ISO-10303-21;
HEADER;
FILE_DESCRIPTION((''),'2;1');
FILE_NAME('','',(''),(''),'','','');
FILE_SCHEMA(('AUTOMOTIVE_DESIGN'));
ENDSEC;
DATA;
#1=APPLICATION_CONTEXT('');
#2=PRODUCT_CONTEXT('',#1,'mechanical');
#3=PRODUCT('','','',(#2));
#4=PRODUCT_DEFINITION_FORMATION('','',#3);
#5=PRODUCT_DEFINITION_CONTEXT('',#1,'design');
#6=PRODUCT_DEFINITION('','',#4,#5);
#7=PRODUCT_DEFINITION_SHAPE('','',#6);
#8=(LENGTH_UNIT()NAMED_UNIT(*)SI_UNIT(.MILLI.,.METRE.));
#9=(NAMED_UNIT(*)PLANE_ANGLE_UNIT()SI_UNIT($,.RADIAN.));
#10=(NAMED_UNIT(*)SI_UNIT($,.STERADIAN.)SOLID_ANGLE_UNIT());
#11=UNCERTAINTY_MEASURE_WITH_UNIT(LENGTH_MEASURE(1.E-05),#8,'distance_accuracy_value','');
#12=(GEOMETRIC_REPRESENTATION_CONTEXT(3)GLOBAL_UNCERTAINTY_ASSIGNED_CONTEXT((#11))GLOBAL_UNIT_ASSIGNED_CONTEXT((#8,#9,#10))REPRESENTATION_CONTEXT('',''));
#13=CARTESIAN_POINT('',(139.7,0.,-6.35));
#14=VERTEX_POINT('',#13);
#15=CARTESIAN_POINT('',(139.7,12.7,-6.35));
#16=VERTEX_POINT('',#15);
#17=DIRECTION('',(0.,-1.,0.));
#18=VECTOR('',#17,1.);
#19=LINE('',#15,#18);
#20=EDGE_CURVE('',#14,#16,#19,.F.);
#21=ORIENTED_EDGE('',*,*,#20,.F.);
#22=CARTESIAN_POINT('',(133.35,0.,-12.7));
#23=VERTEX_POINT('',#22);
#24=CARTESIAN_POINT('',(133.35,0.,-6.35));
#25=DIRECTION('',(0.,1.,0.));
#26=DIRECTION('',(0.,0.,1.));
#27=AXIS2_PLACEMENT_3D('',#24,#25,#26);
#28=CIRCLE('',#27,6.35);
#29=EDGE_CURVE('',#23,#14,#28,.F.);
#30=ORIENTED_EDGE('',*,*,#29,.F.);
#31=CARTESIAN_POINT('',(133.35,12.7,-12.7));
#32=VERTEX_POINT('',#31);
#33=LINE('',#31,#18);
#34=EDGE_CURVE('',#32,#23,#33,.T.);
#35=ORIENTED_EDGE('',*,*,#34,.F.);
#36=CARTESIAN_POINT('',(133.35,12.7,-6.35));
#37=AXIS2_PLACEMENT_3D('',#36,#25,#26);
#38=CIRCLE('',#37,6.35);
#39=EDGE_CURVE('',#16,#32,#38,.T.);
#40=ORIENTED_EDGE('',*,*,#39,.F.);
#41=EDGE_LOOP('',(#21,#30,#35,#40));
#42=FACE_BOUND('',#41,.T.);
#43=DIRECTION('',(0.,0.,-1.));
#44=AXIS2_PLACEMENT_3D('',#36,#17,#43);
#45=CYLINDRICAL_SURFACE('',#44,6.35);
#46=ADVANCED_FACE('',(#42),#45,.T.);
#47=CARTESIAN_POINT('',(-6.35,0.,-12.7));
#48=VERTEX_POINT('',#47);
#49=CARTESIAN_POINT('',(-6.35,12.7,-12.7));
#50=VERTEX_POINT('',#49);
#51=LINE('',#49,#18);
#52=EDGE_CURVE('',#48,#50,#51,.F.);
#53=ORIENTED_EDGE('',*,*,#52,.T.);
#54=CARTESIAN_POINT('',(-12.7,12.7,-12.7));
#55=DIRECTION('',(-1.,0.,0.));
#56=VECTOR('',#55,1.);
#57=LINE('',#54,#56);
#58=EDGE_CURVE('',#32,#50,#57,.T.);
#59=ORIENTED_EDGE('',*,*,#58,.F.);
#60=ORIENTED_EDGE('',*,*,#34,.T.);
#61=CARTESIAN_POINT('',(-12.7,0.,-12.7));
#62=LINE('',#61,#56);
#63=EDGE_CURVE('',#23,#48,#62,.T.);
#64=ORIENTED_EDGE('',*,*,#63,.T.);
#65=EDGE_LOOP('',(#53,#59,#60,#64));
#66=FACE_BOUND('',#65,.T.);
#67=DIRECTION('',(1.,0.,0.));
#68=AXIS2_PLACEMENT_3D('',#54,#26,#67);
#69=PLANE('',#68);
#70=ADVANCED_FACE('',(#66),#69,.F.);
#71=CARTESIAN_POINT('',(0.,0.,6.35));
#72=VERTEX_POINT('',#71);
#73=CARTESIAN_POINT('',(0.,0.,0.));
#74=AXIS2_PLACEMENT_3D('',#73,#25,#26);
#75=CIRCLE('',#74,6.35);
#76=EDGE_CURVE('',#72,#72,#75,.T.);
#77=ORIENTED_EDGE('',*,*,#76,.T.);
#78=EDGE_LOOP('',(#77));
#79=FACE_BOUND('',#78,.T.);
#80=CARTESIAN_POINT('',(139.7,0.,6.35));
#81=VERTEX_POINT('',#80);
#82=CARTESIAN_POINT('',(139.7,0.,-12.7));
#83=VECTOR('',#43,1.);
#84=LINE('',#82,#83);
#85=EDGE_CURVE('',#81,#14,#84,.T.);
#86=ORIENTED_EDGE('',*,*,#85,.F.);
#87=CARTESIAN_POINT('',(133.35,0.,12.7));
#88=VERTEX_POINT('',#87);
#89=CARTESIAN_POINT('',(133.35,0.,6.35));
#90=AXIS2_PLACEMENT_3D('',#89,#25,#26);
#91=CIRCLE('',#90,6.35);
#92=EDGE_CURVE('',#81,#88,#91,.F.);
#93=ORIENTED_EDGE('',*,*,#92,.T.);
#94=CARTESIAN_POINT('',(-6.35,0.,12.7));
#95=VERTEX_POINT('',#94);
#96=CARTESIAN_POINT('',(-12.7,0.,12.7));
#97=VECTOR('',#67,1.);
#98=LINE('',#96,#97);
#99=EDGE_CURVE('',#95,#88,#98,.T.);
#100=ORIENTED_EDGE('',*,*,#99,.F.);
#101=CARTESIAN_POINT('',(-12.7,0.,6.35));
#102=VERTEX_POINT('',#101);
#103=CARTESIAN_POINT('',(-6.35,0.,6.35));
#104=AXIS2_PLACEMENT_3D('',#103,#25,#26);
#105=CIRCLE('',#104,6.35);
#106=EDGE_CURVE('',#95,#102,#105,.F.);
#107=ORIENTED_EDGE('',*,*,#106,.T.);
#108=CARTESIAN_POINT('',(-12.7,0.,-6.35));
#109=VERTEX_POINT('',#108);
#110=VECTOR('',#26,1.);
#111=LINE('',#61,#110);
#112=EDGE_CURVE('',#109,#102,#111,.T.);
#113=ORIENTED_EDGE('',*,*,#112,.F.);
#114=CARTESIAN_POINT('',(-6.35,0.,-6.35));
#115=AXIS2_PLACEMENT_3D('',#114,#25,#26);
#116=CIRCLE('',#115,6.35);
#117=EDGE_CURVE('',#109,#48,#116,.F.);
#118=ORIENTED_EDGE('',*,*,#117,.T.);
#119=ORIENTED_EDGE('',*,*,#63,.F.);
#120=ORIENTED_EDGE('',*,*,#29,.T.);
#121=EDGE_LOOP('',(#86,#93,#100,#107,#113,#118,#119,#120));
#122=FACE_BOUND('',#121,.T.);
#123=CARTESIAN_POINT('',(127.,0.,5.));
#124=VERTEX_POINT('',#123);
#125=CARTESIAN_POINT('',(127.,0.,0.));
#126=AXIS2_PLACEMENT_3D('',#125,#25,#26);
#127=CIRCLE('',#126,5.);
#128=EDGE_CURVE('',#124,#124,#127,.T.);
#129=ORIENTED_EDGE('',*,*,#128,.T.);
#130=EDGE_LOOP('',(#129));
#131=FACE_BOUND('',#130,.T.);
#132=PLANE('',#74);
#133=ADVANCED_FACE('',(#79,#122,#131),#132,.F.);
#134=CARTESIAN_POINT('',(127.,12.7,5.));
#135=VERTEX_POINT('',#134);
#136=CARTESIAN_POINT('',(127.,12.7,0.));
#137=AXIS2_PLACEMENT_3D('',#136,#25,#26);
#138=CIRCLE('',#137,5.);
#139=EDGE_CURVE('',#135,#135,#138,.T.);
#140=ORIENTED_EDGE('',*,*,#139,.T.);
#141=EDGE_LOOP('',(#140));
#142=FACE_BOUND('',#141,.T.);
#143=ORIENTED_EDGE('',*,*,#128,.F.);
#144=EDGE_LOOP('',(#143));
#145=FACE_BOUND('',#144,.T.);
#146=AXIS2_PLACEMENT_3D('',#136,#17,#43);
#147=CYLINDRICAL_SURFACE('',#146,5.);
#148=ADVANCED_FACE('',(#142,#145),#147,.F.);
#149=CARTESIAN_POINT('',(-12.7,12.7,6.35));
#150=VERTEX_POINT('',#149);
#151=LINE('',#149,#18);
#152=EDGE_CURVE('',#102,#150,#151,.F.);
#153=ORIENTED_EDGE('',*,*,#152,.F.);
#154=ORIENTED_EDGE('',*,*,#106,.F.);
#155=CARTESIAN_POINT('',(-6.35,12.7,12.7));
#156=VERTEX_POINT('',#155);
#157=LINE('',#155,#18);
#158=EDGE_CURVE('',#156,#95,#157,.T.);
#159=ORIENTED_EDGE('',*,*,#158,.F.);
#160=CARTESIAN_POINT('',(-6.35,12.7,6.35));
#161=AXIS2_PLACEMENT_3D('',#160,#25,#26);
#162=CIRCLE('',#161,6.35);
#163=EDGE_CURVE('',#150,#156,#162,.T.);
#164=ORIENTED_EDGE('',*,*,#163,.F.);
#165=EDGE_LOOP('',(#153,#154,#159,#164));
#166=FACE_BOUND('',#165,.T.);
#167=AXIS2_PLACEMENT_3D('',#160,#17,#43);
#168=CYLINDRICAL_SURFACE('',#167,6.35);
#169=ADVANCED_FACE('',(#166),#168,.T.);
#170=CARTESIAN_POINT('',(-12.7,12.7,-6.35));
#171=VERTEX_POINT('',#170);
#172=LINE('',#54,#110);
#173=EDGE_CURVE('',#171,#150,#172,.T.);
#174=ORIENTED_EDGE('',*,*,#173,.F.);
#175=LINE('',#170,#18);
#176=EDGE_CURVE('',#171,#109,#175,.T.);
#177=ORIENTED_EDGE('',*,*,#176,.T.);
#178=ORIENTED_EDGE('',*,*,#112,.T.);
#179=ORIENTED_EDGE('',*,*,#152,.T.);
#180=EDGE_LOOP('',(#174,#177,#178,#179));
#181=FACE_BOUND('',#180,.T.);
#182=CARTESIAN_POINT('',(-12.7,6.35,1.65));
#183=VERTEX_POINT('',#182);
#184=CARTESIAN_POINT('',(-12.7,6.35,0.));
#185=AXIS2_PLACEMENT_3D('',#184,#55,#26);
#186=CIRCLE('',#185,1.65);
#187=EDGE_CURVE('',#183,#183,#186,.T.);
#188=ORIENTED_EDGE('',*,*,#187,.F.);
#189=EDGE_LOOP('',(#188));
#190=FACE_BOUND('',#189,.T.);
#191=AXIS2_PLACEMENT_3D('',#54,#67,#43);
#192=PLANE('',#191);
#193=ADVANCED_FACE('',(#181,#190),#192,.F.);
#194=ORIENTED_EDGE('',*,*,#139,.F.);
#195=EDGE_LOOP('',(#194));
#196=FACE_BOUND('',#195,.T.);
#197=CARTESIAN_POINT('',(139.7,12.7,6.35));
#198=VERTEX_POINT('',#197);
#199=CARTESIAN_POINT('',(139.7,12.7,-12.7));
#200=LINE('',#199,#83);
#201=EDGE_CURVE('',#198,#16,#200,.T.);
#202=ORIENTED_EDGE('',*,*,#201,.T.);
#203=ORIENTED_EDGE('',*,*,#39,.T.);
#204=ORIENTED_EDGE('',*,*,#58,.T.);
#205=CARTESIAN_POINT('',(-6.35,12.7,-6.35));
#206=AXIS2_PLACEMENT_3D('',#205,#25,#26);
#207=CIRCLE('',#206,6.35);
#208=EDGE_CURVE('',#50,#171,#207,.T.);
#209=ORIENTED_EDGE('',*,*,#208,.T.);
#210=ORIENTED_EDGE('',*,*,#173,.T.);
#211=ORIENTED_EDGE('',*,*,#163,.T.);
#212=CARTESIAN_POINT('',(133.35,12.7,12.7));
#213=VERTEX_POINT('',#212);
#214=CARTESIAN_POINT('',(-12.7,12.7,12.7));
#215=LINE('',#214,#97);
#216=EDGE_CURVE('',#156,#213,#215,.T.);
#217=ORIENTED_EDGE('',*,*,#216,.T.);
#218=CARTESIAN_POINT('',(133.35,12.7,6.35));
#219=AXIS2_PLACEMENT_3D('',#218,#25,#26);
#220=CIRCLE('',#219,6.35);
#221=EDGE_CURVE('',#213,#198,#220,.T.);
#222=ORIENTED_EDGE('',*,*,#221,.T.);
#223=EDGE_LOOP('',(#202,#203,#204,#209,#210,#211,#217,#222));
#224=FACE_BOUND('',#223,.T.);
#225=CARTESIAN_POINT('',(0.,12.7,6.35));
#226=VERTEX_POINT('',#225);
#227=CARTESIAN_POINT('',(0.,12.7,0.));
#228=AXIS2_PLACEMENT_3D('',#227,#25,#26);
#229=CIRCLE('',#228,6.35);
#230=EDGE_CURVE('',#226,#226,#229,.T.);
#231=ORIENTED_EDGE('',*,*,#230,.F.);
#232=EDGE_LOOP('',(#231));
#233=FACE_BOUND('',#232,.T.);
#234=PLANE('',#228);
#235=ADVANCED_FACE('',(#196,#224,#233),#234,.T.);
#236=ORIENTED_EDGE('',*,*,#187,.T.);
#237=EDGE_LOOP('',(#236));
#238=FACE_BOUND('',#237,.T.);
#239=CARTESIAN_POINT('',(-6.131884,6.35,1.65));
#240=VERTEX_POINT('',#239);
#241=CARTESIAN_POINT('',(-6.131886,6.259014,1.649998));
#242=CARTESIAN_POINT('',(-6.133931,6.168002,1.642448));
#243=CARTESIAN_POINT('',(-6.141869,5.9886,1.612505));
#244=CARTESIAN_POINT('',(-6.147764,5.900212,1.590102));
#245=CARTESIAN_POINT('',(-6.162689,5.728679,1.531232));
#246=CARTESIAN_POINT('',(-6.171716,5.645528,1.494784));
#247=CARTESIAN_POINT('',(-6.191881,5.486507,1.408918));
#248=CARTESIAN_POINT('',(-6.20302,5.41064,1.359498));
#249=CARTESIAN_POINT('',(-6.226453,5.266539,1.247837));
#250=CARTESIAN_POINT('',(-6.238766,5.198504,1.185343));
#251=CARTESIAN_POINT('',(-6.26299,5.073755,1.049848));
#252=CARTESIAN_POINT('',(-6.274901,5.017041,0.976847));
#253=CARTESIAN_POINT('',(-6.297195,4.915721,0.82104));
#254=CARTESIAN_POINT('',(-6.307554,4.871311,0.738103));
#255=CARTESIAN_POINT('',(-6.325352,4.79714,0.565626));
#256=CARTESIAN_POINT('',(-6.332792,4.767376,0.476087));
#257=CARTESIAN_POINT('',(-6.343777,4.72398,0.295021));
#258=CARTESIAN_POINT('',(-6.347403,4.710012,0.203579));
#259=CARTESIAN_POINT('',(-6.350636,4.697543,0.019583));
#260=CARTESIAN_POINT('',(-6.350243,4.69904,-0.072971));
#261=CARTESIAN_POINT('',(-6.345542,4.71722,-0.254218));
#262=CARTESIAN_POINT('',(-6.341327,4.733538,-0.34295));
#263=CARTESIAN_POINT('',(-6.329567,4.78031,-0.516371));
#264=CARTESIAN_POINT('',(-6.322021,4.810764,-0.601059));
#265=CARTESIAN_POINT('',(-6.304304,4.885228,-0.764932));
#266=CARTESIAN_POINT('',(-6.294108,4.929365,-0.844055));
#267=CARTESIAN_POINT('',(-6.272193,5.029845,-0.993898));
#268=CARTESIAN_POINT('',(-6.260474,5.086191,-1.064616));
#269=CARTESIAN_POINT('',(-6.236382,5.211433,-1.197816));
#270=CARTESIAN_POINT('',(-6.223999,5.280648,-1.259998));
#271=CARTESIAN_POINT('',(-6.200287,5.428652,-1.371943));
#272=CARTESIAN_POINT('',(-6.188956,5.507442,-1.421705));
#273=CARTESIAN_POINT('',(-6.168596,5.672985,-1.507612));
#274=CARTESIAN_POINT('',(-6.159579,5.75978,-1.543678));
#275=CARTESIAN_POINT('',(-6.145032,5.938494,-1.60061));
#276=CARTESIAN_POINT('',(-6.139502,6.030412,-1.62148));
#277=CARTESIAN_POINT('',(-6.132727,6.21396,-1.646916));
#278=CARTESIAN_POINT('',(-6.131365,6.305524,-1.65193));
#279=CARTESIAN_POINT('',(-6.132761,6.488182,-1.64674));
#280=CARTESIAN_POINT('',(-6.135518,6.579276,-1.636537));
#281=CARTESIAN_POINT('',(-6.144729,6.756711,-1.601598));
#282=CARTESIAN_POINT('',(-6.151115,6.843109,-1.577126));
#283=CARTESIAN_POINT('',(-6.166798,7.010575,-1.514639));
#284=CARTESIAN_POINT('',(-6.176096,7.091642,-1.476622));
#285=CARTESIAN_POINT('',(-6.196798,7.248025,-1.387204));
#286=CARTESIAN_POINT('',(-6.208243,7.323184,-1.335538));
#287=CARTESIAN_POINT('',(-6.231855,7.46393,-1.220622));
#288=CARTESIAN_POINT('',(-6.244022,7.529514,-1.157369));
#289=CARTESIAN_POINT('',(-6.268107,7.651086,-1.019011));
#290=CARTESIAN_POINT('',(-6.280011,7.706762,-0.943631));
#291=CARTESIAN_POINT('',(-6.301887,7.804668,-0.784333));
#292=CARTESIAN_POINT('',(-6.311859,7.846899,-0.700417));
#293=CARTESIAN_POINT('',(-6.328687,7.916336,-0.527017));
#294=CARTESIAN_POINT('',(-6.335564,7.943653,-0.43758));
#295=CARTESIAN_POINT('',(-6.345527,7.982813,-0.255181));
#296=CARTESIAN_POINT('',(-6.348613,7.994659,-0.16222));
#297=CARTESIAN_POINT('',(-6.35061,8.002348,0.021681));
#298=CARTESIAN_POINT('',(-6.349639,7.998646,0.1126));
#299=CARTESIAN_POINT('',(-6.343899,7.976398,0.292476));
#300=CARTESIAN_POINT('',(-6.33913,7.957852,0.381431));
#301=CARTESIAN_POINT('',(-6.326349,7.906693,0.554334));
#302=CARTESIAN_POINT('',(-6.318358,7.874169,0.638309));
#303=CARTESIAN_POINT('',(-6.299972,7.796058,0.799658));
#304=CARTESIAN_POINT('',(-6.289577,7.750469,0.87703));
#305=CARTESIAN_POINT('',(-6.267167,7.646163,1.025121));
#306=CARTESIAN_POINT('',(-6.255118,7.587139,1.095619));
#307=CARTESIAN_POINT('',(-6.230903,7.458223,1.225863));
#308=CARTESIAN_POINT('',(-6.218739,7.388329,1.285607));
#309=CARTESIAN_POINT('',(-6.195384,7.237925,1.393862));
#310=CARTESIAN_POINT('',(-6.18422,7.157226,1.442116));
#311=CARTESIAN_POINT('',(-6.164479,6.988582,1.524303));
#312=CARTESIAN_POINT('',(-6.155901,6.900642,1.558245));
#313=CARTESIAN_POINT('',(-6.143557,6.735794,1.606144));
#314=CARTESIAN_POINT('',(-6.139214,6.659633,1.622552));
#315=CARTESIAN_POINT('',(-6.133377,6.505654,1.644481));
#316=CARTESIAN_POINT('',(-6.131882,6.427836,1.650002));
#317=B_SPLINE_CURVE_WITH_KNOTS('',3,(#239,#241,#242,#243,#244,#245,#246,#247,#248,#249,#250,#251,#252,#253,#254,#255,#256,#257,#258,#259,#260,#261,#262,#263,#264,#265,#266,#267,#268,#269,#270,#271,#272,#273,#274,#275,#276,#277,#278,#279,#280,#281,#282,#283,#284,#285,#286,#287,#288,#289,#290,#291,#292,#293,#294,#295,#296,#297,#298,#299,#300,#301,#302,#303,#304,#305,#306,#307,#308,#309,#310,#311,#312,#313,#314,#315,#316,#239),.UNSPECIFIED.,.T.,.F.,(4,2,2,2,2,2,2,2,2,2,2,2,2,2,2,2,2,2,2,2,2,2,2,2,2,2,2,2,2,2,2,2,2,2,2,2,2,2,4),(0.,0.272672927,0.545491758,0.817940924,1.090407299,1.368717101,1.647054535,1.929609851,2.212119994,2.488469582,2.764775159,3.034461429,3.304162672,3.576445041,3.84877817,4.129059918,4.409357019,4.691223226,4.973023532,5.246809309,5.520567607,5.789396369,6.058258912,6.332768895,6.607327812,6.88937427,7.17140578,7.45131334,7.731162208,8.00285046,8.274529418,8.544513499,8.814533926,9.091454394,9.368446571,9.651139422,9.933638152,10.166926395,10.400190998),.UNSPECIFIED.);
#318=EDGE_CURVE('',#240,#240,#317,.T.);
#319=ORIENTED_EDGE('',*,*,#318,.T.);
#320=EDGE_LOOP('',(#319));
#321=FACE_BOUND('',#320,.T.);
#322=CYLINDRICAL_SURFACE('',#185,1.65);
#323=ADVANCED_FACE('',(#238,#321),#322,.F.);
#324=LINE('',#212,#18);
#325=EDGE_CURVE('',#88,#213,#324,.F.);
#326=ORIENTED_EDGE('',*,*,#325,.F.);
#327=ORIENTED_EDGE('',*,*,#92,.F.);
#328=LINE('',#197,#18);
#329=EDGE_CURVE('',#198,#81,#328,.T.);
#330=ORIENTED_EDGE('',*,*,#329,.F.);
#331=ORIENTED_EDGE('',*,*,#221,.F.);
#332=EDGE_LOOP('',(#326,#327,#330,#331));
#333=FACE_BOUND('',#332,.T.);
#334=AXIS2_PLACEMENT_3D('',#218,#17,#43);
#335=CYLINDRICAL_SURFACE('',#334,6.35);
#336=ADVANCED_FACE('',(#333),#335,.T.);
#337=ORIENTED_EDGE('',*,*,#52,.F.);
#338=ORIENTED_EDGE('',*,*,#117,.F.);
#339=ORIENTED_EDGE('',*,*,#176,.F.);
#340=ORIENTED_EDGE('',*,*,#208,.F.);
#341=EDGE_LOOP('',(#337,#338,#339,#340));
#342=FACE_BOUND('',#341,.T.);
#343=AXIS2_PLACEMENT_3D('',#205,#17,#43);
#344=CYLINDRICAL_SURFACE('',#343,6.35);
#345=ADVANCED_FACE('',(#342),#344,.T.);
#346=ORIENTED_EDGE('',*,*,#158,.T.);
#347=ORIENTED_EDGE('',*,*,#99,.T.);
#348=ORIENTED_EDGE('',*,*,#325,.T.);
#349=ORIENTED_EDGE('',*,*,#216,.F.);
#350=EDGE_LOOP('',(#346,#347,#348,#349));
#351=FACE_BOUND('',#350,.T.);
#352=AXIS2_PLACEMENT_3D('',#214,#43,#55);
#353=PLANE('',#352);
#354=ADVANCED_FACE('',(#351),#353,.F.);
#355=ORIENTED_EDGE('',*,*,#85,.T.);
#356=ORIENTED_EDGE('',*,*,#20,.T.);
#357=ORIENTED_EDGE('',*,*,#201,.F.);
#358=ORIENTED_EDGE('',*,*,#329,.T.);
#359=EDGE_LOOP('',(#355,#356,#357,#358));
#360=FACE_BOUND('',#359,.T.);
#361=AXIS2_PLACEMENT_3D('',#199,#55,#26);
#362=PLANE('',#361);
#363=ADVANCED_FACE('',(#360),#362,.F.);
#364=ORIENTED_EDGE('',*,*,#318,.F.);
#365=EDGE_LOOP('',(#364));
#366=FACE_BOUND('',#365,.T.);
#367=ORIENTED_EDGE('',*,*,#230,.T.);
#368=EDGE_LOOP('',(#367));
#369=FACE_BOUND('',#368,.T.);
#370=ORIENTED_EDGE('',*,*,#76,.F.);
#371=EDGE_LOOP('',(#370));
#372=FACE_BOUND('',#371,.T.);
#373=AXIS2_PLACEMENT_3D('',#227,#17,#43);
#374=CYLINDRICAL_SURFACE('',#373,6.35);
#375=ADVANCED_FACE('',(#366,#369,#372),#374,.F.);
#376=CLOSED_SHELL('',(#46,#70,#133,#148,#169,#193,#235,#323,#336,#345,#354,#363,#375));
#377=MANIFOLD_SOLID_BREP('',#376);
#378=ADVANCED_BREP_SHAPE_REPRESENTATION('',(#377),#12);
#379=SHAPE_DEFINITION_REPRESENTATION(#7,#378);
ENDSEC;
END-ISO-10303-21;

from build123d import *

# Parameters (mm, degrees)
SKETCH1_W                        = 152.4
SKETCH1_H                        = 25.4
SKETCH1_R                        = 6.35
SKETCH1_R_2                      = 5
BOSS_EXTRUDE1_DEPTH              = 12.7
FILLET1_R                        = 6.35
TAP_DRILL_FOR_M4X0_7_TAP1_REACH  = 155.455
TAP_DRILL_FOR_M4X0_7_TAP1_BORE_R = 1.65


with BuildPart() as part:
    # Sketch1 → Boss-Extrude1 (new body)
    with BuildSketch(Plane(origin=(0, 0, 0), x_dir=(1, 0, 0), z_dir=(0, 1, 0))):
        with Locations((63.5, 0)):
            Rectangle(SKETCH1_W, SKETCH1_H)
        with Locations(Location((0, 0, 0), (0, 0, 270))):
            Circle(SKETCH1_R, mode=Mode.SUBTRACT)
        with Locations(Location((127, 0, 0), (0, 0, 270))):
            Circle(SKETCH1_R_2, mode=Mode.SUBTRACT)
    extrude(amount=BOSS_EXTRUDE1_DEPTH)

    # Fillet1
    fillet1_edges = [part.edges().sort_by_distance(p)[0] for p in [
        (-12.7, 6.35, -12.7),
        (139.7, 6.35, -12.7),
        (139.7, 6.35, 12.7),
        (-12.7, 6.35, 12.7),
    ]]
    fillet(fillet1_edges, radius=FILLET1_R)

    # Tap Drill for M4x0.7 Tap1 bore → Tap Drill for M4x0.7 Tap1 (cut, up to next)
    with BuildSketch(Plane.ZY.offset(12.7), mode=Mode.PRIVATE) as tap_drill_for_m4x0_7_tap1_sk1:
        with Locations((0, 6.35)):
            Circle(TAP_DRILL_FOR_M4X0_7_TAP1_BORE_R)
    tap_drill_for_m4x0_7_tap1_tool1 = extrude(tap_drill_for_m4x0_7_tap1_sk1.sketch, amount=-TAP_DRILL_FOR_M4X0_7_TAP1_REACH, mode=Mode.PRIVATE) & part.part
    add(tap_drill_for_m4x0_7_tap1_tool1.solids().sort_by_distance((-12.7, 6.35, 0))[0], mode=Mode.SUBTRACT)


solid = part.part
